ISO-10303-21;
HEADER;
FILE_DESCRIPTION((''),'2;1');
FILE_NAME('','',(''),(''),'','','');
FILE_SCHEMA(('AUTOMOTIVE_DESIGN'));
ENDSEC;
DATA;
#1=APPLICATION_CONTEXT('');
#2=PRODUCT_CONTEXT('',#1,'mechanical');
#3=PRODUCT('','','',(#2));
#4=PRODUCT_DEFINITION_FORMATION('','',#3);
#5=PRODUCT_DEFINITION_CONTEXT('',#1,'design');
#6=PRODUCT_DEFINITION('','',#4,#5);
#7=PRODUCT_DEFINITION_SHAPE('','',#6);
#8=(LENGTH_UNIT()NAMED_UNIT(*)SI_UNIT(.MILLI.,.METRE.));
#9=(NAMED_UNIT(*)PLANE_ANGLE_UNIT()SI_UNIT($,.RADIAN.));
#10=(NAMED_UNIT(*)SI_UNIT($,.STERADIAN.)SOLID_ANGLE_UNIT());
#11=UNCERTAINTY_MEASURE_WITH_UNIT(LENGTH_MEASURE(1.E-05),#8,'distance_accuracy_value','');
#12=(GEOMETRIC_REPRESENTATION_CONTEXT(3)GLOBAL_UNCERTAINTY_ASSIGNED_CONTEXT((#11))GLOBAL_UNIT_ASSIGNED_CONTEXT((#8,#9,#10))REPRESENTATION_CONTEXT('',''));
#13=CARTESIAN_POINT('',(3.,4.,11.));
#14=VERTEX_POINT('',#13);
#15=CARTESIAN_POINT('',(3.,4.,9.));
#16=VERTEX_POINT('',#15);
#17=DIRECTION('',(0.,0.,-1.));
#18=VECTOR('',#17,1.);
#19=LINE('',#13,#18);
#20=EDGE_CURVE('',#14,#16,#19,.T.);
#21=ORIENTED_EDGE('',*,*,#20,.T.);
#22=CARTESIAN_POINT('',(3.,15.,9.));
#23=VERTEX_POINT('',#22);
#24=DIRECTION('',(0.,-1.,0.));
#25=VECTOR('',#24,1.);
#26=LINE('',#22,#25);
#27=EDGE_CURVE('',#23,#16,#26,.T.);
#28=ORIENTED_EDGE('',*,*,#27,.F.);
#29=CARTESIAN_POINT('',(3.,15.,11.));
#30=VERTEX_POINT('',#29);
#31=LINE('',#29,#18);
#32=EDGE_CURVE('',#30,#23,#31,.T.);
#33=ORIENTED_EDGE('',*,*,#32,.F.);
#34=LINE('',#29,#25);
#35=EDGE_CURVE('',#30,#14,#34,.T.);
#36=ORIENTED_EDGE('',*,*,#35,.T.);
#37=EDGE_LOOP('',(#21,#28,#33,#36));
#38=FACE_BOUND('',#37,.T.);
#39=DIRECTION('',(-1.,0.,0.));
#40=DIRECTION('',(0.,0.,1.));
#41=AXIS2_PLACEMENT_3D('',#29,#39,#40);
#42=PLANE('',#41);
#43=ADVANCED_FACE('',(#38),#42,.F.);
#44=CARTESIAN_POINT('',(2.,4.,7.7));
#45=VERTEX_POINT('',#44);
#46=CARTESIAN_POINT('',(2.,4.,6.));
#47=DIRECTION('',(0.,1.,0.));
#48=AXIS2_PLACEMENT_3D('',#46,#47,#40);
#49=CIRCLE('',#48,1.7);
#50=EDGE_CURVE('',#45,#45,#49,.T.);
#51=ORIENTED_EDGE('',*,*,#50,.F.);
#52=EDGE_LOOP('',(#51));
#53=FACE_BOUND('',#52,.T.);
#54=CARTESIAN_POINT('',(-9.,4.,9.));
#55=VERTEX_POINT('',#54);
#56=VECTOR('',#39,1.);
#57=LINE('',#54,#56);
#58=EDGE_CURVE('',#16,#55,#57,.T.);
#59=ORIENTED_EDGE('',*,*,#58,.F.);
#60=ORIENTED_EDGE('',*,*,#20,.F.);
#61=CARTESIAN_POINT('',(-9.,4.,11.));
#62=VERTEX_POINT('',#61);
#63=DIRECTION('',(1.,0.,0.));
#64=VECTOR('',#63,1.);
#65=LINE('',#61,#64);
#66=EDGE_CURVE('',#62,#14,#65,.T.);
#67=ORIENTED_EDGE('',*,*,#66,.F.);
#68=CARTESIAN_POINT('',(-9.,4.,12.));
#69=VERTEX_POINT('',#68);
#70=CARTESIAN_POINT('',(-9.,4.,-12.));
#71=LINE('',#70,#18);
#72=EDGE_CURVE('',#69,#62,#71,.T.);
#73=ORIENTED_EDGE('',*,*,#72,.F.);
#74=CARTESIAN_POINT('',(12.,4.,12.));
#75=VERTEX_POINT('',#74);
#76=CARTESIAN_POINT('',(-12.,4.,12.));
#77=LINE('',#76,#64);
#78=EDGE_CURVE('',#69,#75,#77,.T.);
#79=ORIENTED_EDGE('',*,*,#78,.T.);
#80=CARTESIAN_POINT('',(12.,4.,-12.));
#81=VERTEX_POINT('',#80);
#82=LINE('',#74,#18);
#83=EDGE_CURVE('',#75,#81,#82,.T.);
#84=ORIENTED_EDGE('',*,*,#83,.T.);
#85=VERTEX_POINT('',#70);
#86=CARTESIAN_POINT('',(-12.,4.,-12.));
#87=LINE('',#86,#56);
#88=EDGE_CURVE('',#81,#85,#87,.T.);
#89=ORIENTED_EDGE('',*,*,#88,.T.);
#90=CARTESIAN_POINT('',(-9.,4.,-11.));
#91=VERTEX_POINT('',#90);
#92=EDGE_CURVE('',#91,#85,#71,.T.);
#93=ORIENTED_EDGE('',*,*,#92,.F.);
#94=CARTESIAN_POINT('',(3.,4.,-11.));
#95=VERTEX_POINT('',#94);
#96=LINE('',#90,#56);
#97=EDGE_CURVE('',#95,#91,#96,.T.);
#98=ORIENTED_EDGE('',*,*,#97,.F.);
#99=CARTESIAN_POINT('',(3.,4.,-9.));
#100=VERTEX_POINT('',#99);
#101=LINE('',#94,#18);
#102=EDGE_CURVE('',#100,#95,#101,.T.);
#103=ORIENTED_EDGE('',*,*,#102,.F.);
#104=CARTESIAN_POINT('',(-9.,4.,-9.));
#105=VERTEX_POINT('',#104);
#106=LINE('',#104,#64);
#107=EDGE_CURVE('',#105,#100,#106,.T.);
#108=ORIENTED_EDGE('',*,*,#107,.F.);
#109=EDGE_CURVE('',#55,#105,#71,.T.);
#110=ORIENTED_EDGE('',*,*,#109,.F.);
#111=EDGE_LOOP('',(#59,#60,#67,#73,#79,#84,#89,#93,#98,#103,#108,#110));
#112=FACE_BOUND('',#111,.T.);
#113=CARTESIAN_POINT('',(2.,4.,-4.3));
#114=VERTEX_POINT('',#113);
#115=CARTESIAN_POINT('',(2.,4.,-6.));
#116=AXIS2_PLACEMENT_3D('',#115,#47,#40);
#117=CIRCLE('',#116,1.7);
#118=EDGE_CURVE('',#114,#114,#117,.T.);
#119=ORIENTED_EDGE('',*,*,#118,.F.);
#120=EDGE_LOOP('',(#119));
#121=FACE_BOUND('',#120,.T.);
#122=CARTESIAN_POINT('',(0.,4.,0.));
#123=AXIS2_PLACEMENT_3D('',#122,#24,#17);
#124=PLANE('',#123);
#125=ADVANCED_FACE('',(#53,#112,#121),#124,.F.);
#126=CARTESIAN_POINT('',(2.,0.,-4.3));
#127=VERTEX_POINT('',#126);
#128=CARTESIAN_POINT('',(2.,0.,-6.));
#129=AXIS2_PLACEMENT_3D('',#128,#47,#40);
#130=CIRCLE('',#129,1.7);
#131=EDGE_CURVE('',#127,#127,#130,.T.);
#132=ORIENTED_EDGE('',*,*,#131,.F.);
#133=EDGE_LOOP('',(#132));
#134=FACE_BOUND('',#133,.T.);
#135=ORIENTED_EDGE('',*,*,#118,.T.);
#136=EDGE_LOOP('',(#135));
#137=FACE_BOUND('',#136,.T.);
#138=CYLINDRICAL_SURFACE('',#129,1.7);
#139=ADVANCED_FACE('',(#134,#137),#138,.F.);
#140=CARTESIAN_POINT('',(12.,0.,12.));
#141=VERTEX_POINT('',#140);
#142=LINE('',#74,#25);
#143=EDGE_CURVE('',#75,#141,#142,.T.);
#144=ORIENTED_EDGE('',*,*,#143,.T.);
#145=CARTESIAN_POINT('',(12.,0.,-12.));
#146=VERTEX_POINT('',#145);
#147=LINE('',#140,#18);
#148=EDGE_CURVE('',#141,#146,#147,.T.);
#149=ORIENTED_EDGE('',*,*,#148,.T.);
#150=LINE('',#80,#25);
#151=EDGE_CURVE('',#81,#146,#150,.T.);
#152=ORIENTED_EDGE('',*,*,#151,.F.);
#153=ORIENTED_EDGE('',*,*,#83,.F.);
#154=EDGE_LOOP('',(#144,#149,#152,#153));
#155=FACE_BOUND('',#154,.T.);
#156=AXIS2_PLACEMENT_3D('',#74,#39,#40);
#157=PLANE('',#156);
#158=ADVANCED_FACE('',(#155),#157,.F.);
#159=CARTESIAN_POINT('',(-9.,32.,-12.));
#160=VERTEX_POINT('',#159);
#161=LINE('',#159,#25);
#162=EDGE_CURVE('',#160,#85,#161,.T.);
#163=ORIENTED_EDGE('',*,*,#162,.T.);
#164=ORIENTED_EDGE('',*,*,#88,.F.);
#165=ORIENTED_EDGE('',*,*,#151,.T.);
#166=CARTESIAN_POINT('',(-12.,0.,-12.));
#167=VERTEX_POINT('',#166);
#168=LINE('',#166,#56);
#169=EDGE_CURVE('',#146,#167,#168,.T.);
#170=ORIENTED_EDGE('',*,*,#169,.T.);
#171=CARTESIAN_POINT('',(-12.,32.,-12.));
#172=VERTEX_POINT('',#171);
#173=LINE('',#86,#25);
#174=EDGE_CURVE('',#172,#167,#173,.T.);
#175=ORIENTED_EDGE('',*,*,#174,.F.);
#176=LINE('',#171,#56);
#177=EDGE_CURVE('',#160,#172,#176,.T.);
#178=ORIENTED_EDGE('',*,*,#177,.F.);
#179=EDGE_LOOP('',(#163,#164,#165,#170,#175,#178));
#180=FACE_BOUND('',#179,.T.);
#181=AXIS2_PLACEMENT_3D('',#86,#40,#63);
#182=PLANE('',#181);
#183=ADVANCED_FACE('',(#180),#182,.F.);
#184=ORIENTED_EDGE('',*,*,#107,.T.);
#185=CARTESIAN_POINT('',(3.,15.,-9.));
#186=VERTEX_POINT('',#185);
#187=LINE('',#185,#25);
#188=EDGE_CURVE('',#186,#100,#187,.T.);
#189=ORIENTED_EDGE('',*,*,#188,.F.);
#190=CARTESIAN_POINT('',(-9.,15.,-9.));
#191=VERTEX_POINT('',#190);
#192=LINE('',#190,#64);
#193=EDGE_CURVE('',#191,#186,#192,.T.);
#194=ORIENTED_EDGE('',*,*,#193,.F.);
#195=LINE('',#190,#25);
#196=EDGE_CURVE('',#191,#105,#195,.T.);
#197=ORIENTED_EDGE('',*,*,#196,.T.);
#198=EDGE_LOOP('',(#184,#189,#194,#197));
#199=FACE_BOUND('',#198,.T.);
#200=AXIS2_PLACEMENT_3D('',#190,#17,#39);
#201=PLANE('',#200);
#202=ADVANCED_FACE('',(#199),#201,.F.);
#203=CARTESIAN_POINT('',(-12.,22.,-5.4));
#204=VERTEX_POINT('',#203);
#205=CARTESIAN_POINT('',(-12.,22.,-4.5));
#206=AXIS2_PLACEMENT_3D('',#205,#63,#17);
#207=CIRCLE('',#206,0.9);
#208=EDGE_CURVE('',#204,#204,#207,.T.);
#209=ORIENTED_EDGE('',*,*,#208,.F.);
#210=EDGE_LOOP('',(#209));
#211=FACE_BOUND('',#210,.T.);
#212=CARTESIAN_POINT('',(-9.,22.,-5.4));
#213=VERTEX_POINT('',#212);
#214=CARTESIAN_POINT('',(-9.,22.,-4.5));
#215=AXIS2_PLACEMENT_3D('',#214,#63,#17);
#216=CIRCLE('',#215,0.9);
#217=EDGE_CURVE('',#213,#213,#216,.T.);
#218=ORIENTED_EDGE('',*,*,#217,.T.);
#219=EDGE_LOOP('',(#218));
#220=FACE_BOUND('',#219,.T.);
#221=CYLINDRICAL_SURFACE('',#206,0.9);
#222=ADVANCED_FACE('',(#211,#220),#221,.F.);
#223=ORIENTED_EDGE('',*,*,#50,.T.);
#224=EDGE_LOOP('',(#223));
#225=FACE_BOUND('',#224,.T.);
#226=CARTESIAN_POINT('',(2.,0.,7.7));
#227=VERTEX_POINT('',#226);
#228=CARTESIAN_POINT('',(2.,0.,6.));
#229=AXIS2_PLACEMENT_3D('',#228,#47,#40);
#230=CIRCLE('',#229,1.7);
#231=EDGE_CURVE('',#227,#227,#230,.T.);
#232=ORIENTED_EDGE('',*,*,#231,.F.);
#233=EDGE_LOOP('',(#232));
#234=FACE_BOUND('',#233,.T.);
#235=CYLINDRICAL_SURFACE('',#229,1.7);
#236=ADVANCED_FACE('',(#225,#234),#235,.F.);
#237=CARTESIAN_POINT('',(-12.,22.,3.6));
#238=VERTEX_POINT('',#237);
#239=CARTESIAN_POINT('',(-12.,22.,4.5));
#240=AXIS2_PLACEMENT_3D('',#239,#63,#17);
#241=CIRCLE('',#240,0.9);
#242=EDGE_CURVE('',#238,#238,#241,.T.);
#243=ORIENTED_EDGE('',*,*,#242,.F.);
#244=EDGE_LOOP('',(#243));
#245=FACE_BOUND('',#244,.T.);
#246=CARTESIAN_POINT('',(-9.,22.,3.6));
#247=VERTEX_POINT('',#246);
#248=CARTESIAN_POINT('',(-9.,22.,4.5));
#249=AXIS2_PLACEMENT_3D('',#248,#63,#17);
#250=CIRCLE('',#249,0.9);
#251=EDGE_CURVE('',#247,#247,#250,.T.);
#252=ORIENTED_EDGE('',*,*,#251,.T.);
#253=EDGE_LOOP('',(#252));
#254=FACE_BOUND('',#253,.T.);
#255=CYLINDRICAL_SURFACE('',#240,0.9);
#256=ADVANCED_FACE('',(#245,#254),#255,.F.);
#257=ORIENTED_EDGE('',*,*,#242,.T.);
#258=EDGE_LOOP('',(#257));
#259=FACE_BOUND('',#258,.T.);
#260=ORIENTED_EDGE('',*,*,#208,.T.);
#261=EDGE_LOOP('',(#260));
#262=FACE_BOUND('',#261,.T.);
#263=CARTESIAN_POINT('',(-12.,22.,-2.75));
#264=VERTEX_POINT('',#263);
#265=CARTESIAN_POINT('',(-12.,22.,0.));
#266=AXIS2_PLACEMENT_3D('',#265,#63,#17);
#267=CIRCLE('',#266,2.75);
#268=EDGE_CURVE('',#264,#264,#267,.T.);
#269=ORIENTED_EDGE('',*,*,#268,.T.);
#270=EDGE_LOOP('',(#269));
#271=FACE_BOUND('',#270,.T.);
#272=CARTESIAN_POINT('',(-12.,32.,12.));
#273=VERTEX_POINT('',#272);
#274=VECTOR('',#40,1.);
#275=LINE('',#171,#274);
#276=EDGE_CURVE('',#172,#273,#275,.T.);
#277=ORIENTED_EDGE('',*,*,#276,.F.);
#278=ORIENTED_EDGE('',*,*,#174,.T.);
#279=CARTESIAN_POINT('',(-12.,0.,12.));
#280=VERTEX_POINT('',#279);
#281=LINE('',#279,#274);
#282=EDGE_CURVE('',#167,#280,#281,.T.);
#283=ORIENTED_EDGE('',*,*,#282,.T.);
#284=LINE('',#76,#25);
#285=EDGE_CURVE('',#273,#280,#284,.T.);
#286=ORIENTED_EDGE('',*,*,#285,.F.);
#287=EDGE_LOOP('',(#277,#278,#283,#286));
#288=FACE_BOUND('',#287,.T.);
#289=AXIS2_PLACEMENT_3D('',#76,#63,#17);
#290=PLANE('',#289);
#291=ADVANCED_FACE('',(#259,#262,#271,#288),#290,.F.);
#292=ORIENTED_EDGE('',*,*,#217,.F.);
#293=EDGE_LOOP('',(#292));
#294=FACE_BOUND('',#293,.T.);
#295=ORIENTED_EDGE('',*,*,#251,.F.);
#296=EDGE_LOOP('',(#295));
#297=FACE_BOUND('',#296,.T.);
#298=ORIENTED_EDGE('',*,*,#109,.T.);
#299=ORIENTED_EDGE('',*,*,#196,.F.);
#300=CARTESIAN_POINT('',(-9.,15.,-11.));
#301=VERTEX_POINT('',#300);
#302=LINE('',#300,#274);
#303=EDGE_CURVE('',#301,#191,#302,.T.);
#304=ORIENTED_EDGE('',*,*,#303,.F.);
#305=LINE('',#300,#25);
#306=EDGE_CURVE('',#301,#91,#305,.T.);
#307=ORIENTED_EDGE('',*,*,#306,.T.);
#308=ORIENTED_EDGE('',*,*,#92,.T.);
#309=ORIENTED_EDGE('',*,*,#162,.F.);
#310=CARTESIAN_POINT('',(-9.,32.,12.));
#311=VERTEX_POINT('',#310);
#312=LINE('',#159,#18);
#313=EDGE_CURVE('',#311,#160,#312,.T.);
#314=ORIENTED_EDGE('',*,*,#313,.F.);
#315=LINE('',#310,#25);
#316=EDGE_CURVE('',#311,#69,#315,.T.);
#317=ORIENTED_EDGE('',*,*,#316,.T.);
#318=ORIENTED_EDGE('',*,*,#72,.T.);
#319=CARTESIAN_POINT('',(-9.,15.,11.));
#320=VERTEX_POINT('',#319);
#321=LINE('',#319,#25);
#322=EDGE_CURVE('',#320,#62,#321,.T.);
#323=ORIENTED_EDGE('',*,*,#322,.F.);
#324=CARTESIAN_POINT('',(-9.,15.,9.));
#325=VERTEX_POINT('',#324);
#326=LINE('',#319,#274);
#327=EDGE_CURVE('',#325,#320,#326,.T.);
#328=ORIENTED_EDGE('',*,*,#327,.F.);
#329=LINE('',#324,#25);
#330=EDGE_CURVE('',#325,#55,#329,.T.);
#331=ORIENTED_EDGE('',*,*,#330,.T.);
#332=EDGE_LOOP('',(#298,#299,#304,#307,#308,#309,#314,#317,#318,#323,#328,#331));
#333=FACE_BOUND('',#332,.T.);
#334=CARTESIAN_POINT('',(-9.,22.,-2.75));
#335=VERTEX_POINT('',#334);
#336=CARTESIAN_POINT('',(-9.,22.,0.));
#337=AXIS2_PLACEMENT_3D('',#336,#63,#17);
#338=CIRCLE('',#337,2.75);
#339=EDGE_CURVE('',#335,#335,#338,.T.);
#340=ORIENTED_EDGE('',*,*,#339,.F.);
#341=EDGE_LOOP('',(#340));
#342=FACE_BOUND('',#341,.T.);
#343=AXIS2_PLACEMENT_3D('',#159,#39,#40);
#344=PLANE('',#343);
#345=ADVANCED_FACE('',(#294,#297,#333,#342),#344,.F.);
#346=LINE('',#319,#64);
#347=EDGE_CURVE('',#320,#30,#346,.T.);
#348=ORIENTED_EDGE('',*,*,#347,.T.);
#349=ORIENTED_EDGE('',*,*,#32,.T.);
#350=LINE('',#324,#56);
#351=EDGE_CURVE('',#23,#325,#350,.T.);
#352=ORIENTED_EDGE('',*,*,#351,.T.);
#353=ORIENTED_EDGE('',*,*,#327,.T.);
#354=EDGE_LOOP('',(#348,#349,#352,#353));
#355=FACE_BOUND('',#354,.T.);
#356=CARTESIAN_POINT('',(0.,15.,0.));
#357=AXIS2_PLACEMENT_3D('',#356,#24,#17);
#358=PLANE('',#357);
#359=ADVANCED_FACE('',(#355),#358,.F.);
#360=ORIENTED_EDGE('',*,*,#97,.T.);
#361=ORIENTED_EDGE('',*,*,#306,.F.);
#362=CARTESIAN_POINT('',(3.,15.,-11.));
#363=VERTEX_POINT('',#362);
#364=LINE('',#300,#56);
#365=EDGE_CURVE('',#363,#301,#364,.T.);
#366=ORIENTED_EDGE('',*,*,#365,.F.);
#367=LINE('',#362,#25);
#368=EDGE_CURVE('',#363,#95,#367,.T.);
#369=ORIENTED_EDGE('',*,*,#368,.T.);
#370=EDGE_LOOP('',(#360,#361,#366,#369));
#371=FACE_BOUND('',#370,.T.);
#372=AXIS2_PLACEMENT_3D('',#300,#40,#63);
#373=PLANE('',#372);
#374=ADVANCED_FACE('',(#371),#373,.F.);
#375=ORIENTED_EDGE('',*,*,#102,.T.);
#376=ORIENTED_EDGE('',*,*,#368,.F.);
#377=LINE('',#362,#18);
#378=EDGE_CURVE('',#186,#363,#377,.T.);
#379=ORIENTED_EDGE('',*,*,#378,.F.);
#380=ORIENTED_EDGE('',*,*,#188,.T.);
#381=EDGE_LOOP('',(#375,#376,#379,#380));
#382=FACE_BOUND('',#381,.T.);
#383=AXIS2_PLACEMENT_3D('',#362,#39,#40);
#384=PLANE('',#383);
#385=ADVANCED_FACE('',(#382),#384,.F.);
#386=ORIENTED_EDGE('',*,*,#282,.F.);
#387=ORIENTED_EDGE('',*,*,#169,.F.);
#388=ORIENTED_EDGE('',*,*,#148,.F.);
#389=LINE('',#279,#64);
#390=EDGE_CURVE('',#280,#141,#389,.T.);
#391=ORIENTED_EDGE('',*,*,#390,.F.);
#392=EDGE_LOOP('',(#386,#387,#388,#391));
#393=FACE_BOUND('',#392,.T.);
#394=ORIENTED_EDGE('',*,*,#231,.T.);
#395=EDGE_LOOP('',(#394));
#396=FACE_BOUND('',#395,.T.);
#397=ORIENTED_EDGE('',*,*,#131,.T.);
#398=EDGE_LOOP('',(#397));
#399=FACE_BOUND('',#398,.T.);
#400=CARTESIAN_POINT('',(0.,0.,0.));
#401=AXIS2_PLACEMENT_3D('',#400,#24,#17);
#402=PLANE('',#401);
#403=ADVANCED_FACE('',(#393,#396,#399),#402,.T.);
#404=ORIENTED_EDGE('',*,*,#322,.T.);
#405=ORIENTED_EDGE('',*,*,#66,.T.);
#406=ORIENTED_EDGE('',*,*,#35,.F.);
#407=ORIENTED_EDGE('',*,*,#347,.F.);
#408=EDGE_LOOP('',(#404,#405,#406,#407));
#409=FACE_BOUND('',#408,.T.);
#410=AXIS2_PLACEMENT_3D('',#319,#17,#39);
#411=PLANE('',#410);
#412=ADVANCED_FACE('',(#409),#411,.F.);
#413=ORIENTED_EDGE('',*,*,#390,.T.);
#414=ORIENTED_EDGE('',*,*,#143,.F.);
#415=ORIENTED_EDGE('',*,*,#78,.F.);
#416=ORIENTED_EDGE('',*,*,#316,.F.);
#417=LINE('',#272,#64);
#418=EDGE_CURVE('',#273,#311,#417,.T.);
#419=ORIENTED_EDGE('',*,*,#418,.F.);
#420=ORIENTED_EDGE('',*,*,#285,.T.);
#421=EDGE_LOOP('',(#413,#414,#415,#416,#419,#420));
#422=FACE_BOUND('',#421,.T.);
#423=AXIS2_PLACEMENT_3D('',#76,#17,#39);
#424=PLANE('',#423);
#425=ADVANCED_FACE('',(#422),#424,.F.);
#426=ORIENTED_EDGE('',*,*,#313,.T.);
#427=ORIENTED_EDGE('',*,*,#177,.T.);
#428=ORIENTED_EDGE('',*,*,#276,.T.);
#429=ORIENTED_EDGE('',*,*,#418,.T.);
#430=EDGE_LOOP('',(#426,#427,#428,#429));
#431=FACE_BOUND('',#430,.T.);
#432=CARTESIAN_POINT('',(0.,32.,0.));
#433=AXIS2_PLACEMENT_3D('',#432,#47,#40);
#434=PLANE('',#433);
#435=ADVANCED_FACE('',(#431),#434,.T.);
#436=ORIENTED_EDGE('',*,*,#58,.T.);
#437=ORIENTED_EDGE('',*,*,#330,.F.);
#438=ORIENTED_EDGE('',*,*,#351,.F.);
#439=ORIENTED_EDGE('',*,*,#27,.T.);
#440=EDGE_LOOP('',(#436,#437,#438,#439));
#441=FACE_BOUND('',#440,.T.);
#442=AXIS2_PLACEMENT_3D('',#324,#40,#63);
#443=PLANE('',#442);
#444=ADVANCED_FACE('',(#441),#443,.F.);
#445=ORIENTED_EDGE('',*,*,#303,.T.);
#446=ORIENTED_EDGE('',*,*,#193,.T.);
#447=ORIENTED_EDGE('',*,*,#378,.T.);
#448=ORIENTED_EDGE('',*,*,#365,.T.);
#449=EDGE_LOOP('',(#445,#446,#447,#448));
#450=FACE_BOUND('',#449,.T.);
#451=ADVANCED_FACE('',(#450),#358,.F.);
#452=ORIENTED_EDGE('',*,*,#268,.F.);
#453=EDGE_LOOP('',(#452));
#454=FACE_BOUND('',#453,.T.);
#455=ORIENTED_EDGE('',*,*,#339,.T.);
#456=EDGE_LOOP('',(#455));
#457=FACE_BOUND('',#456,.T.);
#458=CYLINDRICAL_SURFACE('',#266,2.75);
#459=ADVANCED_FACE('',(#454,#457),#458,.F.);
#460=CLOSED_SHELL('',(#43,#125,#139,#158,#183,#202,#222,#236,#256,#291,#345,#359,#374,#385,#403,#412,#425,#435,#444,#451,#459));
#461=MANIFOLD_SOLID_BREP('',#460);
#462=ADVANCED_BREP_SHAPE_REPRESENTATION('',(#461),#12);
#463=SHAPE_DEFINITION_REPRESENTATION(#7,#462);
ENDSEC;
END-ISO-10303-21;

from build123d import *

# Parameters (mm, degrees)
SKETCH1_W           = 24
SKETCH1_H           = 24
BOSS_EXTRUDE1_DEPTH = 4
SKETCH2_W           = 3
SKETCH2_H           = 24
BOSS_EXTRUDE2_DEPTH = 28
SKETCH3_R           = 2.75
SKETCH3_R_2         = 0.9
CUT_EXTRUDE1_DEPTH  = 3
SKETCH4_R           = 1.7
CUT_EXTRUDE2_DEPTH  = 4
SKETCH6_W           = 12
SKETCH6_H           = 2
BOSS_EXTRUDE3_DEPTH = 11


with BuildPart() as part:
    # Sketch1 → Boss-Extrude1 (new body)
    with BuildSketch(Plane(origin=(0, 0, 0), x_dir=(1, 0, 0), z_dir=(0, 1, 0))):
        Rectangle(SKETCH1_W, SKETCH1_H)
    extrude(amount=BOSS_EXTRUDE1_DEPTH)

    # Sketch2 → Boss-Extrude2 (add)
    with BuildSketch(Plane(origin=(0, 4, 0), x_dir=(1, 0, 0), z_dir=(0, 1, 0))):
        with Locations((-10.5, 0)):
            Rectangle(SKETCH2_W, SKETCH2_H)
    extrude(amount=BOSS_EXTRUDE2_DEPTH)

    # Sketch3 → Cut-Extrude1 (cut)
    with BuildSketch(Plane(origin=(-9, 0, 0), x_dir=(0, 0, -1), z_dir=(1, 0, 0))):
        with Locations((0, 22)):
            Circle(SKETCH3_R)
        with Locations((4.5, 22)):
            Circle(SKETCH3_R_2)
        with Locations((-4.5, 22)):
            Circle(SKETCH3_R_2)
    extrude(amount=-CUT_EXTRUDE1_DEPTH, mode=Mode.SUBTRACT)

    # Sketch4 → Cut-Extrude2 (cut)
    with BuildSketch(Plane(origin=(0, 4, 0), x_dir=(1, 0, 0), z_dir=(0, 1, 0))):
        with Locations(Location((2, 6, 0), (0, 0, 270))):
            Circle(SKETCH4_R)
        with Locations(Location((2, -6, 0), (0, 0, 270))):
            Circle(SKETCH4_R)
    extrude(amount=-CUT_EXTRUDE2_DEPTH, mode=Mode.SUBTRACT)

    # Sketch6 → Boss-Extrude3 (add)
    with BuildSketch(Plane(origin=(0, 4, 0), x_dir=(1, 0, 0), z_dir=(0, 1, 0))):
        with Locations((-3, -10)):
            Rectangle(SKETCH6_W, SKETCH6_H)
        with Locations((-3, 10)):
            Rectangle(SKETCH6_W, SKETCH6_H)
    extrude(amount=BOSS_EXTRUDE3_DEPTH)


solid = part.part
